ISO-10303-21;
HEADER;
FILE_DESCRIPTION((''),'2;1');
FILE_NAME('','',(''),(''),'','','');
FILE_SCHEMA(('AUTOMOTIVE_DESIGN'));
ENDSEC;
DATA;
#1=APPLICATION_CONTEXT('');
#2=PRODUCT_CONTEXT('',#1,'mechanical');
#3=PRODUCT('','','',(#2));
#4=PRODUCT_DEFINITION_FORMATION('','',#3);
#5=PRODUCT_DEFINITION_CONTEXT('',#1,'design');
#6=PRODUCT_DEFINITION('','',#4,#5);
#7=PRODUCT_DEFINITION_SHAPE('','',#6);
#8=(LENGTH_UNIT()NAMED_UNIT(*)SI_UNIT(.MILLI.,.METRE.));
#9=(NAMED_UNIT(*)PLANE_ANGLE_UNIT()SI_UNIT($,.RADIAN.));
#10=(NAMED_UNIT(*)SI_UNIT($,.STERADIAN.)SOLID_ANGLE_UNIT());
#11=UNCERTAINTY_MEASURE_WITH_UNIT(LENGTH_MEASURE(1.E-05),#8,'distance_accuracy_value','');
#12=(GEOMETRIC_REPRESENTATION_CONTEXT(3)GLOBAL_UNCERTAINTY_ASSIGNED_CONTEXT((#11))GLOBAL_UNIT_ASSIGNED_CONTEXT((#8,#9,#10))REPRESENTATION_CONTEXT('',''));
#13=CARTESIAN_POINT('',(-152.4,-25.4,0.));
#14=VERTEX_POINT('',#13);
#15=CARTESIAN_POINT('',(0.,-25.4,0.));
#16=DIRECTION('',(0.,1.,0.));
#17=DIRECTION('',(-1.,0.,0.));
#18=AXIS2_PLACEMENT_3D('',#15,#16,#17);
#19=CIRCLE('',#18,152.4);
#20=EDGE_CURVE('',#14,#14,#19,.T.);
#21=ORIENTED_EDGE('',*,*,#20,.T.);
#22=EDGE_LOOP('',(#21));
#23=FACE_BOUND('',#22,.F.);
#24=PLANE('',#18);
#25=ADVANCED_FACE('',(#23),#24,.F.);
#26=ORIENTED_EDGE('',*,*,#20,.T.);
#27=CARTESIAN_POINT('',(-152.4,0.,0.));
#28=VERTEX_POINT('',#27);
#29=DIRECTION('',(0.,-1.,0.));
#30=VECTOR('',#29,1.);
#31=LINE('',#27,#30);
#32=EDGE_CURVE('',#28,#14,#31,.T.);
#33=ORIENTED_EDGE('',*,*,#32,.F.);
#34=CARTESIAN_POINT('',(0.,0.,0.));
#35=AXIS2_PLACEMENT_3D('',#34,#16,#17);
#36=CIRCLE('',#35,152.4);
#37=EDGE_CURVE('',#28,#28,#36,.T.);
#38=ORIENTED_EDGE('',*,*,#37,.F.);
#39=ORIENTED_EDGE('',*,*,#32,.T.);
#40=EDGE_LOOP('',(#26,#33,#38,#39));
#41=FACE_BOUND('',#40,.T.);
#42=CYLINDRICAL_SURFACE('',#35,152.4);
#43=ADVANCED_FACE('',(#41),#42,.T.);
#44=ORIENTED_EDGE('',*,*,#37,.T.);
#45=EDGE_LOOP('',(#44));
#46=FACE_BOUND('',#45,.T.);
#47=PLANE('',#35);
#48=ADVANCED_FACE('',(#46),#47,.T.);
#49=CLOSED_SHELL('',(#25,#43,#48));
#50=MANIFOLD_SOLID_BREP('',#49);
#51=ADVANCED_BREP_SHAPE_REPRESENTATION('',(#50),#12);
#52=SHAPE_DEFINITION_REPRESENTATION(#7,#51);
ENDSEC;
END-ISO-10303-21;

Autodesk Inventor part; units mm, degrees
ref_plane "XZ Plane" through (0, 0, 0) normal (0, 1, 0) x (-1, 0, 0)
ref_plane "XY Plane" through (0, 0, 0) normal (0, 0, 1) x (1, 0, 0)
sketch "Sketch1" plane through (0, 0, 0) normal (0, 1, 0) x (-1, 0, 0)
  circle A0 centre (0, 0) radius 152.4
  dimension "d0" = 304.8
extrude "Extrusion1" add sketch "Sketch1" against normal blind 25.4
sketch "Sketch2" plane through (0, 0, 0) normal (0, 1, 0) x (1, 0, 0)
  point P0 (0, 0)
properties part number "base-12-inch-diameter" material "Wood (Birch)"
